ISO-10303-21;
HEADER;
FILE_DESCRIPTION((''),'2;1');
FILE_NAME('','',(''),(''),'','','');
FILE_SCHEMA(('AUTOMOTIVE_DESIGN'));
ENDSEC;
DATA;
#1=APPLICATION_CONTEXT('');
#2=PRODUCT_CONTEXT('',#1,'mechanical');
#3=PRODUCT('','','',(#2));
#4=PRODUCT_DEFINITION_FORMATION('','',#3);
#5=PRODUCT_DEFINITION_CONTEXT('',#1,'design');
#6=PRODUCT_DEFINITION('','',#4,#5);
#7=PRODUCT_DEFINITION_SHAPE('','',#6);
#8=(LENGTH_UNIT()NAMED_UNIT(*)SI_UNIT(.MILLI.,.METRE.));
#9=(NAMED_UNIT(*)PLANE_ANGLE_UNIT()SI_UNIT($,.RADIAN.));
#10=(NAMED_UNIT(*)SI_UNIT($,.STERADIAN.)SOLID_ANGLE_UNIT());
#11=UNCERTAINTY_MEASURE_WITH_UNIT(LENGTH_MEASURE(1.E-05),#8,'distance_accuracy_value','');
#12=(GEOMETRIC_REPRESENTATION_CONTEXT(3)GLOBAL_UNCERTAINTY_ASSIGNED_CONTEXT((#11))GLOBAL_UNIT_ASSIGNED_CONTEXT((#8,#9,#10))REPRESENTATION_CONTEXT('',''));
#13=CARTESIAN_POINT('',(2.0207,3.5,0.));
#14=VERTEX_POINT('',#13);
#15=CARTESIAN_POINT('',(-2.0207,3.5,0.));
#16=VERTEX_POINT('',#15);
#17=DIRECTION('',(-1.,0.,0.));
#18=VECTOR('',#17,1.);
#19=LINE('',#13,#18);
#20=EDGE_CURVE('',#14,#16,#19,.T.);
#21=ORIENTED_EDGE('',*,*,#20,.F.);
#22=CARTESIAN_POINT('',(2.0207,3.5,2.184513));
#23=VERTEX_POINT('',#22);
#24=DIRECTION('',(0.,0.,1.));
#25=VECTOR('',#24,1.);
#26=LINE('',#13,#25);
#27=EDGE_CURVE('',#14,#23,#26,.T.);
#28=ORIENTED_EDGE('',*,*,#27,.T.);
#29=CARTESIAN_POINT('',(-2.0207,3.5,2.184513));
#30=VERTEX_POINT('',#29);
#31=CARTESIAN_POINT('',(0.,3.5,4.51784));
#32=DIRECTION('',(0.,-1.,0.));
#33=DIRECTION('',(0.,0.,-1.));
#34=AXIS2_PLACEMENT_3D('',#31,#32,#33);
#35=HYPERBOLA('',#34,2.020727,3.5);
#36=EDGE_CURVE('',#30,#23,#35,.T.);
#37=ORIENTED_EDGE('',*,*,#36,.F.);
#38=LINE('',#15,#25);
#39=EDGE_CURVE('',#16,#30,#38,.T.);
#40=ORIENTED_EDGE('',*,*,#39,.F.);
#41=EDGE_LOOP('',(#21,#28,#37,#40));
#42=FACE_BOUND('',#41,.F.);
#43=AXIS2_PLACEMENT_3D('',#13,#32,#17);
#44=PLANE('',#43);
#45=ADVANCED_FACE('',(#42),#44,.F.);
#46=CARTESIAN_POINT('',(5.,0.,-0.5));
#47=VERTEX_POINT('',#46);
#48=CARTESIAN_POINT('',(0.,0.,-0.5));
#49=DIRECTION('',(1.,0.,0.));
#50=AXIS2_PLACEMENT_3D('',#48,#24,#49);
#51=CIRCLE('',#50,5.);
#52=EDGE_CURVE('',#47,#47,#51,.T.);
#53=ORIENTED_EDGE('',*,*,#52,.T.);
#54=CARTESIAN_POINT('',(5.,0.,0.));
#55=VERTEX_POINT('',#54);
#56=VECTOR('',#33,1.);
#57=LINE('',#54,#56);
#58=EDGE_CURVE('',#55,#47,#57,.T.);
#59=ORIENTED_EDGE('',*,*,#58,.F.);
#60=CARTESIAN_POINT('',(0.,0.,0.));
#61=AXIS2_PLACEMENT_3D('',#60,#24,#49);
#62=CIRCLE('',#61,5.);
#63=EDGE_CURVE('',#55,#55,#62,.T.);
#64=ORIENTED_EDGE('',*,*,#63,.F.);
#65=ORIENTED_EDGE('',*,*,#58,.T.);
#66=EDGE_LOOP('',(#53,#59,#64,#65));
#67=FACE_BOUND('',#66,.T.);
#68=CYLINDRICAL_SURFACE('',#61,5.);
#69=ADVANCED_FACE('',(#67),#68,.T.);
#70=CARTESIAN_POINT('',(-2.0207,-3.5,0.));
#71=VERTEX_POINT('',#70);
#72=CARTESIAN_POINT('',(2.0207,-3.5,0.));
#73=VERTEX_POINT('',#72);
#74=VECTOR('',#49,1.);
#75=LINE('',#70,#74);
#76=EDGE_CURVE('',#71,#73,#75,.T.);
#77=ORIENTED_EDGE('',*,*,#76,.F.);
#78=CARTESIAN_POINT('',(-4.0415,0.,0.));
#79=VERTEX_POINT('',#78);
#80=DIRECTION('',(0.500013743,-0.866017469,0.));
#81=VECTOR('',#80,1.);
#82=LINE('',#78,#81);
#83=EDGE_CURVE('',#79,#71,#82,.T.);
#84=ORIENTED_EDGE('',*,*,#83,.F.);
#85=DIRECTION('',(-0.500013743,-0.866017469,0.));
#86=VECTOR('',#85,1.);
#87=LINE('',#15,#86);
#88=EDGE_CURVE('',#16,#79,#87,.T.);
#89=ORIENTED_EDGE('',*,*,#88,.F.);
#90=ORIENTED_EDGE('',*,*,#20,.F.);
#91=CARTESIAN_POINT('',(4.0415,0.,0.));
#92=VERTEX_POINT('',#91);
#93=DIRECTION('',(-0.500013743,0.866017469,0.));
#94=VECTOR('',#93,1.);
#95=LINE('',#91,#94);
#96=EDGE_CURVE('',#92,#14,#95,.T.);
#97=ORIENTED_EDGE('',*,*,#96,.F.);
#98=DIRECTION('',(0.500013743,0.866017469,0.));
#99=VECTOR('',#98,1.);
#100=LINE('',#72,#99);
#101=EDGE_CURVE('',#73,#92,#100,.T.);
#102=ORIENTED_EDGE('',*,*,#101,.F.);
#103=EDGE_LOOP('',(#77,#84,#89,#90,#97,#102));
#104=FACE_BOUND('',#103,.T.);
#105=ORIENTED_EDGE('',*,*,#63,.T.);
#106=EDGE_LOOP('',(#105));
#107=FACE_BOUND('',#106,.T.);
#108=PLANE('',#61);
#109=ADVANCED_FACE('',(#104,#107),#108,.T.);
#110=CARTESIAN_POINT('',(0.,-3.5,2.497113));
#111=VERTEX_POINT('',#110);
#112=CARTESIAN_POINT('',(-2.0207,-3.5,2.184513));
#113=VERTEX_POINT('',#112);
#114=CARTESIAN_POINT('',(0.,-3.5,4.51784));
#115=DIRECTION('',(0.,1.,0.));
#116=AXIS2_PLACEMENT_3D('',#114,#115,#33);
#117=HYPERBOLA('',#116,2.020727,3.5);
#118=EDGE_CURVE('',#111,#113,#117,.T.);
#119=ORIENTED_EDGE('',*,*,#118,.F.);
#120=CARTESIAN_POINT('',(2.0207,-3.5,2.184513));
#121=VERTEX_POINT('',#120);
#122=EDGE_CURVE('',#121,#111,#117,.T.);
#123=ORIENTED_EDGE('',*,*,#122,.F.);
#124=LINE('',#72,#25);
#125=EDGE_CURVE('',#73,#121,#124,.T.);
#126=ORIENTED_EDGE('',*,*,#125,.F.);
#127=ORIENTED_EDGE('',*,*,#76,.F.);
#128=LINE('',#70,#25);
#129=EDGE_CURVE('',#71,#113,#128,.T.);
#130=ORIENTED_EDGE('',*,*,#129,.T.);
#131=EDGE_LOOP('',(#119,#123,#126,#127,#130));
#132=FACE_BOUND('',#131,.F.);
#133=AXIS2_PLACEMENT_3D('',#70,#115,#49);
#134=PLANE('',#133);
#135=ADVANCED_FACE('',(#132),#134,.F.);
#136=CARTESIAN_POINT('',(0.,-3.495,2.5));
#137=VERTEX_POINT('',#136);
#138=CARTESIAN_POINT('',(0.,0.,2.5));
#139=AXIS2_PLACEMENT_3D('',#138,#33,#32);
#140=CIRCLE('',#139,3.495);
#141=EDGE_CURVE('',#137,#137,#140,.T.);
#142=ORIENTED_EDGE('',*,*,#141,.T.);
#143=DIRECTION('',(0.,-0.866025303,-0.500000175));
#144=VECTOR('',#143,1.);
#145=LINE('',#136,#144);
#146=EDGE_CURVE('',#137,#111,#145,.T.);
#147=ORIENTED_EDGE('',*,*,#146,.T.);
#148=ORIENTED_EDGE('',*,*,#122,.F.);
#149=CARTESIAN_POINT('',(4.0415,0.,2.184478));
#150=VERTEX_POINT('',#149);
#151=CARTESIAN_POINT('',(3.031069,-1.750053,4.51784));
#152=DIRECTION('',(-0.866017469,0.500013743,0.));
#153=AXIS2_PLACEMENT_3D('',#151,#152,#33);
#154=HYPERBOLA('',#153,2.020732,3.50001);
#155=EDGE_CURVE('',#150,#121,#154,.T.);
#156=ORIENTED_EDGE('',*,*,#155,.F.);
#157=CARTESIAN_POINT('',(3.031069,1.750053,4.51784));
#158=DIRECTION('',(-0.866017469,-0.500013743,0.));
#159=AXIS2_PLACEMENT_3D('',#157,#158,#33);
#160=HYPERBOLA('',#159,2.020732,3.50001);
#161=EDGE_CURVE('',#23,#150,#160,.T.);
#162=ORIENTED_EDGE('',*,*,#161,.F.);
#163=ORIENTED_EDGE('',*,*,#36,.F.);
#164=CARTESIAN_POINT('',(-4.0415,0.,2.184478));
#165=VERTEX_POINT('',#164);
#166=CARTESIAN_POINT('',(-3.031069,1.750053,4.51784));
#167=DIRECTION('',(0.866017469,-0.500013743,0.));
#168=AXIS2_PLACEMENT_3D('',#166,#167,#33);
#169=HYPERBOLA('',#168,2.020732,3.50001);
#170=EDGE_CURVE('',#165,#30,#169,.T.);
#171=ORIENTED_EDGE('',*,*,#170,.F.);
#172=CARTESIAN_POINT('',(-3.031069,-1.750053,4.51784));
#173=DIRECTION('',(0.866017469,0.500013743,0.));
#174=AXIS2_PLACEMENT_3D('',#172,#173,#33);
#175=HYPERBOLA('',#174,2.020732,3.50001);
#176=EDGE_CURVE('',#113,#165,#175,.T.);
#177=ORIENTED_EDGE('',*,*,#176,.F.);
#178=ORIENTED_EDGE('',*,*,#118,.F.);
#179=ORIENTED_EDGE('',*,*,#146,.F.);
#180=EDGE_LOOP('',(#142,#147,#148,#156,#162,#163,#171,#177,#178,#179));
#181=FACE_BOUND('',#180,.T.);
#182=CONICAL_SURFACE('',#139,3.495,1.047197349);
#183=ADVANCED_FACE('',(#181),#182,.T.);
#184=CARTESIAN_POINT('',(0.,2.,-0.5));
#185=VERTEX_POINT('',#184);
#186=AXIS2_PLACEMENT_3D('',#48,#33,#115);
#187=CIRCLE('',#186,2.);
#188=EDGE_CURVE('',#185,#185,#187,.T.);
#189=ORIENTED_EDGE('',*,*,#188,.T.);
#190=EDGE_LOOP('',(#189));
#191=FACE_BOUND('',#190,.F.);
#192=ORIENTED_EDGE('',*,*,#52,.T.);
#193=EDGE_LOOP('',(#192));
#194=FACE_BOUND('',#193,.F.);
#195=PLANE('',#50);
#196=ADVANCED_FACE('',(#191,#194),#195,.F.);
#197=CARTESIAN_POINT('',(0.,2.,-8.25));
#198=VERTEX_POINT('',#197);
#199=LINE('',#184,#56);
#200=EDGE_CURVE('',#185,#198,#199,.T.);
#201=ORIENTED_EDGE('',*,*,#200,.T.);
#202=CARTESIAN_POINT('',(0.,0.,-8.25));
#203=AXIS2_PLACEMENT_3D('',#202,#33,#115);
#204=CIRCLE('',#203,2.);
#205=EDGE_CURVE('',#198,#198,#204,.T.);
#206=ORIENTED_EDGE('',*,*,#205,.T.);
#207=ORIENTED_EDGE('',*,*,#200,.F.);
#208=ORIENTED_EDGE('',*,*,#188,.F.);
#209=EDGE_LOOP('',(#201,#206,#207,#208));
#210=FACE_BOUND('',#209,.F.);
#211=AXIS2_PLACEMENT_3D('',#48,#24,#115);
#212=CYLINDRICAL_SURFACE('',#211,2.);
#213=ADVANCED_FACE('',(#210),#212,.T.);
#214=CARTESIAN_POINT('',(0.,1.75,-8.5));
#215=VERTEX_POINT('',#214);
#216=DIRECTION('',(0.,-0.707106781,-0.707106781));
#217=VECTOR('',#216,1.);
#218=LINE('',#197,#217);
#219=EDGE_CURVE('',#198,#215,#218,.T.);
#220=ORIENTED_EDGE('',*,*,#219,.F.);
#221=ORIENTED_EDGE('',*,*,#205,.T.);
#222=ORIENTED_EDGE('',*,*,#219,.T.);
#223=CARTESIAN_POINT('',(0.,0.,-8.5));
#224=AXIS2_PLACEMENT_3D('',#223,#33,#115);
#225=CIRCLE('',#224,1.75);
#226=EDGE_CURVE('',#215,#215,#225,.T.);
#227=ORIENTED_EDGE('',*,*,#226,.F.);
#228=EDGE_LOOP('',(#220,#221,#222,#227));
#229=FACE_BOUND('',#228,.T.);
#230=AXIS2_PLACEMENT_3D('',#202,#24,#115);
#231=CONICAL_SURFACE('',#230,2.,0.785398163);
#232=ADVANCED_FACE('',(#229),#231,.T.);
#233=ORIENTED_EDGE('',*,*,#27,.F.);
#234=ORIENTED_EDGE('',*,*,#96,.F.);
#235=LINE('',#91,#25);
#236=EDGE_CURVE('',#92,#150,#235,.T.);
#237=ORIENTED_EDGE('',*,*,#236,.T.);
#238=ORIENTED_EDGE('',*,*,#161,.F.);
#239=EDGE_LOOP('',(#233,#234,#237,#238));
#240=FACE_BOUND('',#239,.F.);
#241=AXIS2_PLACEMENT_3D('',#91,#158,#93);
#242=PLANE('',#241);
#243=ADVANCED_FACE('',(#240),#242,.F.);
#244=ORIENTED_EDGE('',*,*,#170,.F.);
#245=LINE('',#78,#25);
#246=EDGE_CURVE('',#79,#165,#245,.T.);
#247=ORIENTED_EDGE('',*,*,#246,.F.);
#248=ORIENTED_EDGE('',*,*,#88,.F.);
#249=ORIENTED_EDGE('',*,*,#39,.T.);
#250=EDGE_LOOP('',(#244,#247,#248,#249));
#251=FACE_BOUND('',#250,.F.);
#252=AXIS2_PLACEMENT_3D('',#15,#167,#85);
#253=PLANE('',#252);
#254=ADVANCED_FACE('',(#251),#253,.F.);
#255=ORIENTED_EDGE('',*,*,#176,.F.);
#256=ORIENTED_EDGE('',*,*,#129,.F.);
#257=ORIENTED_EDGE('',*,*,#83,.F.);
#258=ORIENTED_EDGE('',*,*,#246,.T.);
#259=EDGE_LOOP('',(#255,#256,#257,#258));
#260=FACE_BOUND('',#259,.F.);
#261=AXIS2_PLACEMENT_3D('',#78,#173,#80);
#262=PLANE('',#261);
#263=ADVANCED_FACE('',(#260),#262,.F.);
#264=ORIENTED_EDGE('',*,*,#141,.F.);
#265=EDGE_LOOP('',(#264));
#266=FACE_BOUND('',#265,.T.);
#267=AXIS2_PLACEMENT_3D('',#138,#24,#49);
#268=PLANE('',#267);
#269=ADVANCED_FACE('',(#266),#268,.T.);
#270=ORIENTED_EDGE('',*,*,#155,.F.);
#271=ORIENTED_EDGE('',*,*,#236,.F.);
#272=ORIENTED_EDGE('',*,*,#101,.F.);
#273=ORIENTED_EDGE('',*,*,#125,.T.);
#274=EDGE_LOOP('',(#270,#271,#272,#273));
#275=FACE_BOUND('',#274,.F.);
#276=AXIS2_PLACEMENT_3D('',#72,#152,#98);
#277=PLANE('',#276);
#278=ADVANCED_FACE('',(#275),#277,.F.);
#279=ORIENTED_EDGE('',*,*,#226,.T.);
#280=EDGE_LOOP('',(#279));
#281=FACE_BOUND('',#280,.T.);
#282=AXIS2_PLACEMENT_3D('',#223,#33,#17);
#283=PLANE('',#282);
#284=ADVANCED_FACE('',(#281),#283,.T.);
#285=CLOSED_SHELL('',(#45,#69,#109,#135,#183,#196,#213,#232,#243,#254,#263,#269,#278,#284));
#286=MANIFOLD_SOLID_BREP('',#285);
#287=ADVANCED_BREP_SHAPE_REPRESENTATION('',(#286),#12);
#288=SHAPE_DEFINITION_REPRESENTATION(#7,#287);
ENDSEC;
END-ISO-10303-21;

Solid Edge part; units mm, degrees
sketch "Sketch1" plane through (0, 0, 0) normal (0, 0, 1) x (1, 0, 0)
  circle A0 centre (0, 0) radius 5
  dimension "D1" = 10
extrude "Protrusion1" add sketch "Sketch1" against normal blind 0.5
sketch "Sketch2" plane through (0, 0, 0) normal (0, 0, 1) x (1, 0, 0)
  line L0 (2.0207, 3.5) -> (-2.0207, 3.5)
  line L1 (-2.0207, 3.5) -> (-4.0415, 0)
  line L2 (-4.0415, 0) -> (-2.0207, -3.5)
  line L3 (-2.0207, -3.5) -> (2.0207, -3.5)
  line L4 (2.0207, -3.5) -> (4.0415, 0)
  line L5 (4.0415, 0) -> (2.0207, 3.5)
  dimension "D1" = 3.5
  dimension "D2" = 7
extrude "Protrusion2" add sketch "Sketch2" along normal blind 2.5
sketch "Sketch3" plane through (0, 0, 0) normal (1, 0, 0) x (0, 1, 0)
  line L0 (-3.495, 2.5) -> (-6.9591, 0.5)
  dimension "D1" = 4
revolve "RevolvedCutout1" cut sketch "Sketch3" angle 360 about axis through (0, 0, 2.5) along (0, 0, -1) material side at (0, -5.2521, 1.5433)
sketch "Sketch4" plane through (0, 0, -0.5) normal (0, 0, -1) x (0, 1, 0)
  circle A0 centre (0, 0) radius 2
  dimension "D1" = 4
extrude "Protrusion3" add sketch "Sketch4" along normal blind 8
chamfer "Chamfer1" distance 0.25 angle 45 1 edges at (0, -2, -8.5)
properties part number "BOLT1" material "Steel"
